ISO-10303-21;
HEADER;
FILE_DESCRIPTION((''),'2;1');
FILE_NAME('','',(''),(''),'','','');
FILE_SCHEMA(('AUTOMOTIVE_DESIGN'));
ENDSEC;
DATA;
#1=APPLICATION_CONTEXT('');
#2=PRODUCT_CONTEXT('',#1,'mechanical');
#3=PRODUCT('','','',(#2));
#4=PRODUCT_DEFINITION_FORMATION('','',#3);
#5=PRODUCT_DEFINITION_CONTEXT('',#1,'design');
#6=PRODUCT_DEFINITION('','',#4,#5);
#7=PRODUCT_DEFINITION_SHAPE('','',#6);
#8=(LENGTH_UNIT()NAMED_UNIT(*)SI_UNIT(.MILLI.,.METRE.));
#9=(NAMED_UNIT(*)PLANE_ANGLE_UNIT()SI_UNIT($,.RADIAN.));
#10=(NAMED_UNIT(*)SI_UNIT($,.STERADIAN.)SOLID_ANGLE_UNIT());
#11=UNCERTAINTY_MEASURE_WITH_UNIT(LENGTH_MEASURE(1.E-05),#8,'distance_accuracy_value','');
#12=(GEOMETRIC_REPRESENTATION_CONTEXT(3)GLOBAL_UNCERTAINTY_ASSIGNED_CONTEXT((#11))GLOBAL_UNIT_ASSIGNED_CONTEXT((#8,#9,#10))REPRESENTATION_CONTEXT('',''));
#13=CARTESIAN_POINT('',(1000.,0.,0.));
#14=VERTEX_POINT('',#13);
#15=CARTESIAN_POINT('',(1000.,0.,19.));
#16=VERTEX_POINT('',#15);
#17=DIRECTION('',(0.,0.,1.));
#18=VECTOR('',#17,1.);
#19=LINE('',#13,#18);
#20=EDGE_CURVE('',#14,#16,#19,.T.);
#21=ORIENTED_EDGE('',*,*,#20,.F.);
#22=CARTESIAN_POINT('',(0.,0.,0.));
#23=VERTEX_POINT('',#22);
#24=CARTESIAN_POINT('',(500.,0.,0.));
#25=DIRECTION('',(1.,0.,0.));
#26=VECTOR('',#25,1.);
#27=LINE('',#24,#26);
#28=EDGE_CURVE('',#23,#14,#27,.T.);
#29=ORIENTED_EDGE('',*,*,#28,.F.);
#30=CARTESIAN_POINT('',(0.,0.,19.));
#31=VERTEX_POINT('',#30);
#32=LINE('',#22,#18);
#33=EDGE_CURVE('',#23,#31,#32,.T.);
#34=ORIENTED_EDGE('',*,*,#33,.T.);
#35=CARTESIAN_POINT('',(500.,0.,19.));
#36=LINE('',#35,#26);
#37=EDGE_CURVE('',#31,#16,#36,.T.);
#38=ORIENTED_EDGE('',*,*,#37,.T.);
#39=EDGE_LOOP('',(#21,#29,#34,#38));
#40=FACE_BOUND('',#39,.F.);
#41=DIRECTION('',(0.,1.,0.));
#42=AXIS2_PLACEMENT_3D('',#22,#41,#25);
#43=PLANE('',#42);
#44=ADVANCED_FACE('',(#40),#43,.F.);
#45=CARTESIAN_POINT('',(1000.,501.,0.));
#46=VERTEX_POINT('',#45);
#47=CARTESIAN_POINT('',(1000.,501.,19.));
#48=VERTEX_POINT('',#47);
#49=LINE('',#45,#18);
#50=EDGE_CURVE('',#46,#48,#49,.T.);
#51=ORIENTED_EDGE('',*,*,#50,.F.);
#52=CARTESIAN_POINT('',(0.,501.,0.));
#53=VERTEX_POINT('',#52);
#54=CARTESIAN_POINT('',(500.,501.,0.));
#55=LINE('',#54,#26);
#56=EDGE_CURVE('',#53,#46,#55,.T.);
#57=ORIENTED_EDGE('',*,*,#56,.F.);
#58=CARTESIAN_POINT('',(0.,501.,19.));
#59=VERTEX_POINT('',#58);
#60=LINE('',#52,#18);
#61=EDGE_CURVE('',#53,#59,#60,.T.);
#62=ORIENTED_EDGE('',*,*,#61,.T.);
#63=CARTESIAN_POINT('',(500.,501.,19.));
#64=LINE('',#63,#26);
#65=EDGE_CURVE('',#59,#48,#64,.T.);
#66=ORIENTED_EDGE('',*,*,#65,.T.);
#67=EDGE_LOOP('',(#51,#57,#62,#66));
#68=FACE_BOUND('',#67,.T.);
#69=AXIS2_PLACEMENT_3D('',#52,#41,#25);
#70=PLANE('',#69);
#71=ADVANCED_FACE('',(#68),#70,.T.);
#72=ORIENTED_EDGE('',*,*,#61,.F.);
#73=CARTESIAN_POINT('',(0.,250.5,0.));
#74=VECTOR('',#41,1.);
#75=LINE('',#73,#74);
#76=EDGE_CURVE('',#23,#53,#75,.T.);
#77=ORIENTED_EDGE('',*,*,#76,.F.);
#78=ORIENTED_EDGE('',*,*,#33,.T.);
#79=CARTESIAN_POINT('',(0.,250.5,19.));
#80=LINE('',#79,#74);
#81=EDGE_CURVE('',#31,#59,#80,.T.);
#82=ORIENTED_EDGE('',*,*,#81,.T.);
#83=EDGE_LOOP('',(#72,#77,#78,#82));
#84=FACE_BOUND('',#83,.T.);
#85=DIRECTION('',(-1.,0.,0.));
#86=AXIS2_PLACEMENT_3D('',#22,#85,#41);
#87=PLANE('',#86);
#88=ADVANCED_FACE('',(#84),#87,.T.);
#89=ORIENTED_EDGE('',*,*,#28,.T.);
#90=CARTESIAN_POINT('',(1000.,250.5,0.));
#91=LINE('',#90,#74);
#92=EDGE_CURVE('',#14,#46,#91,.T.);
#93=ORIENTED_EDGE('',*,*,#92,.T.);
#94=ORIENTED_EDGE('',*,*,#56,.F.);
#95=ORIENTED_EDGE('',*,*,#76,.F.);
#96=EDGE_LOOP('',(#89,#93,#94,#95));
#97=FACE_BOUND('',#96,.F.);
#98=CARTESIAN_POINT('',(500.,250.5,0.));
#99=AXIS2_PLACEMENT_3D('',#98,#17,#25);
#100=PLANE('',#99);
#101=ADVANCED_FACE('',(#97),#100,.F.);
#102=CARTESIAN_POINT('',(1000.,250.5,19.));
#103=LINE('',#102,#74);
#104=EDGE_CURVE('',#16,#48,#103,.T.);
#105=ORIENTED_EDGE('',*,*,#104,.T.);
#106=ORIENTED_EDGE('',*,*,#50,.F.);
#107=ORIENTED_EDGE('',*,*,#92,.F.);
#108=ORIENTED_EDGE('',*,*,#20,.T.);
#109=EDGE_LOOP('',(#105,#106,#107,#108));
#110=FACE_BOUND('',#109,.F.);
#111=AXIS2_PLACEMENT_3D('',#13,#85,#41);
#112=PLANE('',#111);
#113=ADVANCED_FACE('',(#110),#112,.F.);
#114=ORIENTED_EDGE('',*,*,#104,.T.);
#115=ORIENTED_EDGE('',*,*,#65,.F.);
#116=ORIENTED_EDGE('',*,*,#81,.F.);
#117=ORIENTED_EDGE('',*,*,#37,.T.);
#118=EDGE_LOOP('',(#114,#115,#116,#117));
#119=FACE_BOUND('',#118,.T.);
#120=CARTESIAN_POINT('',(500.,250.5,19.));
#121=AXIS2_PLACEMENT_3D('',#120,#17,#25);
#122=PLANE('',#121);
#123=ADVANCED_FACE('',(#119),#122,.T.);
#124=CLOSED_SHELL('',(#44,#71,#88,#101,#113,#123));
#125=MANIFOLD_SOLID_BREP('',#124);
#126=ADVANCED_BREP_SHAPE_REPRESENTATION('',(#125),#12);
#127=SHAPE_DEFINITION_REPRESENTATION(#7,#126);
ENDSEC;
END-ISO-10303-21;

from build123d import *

# Parameters (mm, degrees)
BOX_W     = 1000
BOX_H     = 501
BOX_DEPTH = 19


with BuildPart() as part:
    # Box → Box (new body)
    with BuildSketch(Plane.XY):
        with Locations((500, 250.5)):
            Rectangle(BOX_W, BOX_H)
    extrude(amount=BOX_DEPTH)


solid = part.part
